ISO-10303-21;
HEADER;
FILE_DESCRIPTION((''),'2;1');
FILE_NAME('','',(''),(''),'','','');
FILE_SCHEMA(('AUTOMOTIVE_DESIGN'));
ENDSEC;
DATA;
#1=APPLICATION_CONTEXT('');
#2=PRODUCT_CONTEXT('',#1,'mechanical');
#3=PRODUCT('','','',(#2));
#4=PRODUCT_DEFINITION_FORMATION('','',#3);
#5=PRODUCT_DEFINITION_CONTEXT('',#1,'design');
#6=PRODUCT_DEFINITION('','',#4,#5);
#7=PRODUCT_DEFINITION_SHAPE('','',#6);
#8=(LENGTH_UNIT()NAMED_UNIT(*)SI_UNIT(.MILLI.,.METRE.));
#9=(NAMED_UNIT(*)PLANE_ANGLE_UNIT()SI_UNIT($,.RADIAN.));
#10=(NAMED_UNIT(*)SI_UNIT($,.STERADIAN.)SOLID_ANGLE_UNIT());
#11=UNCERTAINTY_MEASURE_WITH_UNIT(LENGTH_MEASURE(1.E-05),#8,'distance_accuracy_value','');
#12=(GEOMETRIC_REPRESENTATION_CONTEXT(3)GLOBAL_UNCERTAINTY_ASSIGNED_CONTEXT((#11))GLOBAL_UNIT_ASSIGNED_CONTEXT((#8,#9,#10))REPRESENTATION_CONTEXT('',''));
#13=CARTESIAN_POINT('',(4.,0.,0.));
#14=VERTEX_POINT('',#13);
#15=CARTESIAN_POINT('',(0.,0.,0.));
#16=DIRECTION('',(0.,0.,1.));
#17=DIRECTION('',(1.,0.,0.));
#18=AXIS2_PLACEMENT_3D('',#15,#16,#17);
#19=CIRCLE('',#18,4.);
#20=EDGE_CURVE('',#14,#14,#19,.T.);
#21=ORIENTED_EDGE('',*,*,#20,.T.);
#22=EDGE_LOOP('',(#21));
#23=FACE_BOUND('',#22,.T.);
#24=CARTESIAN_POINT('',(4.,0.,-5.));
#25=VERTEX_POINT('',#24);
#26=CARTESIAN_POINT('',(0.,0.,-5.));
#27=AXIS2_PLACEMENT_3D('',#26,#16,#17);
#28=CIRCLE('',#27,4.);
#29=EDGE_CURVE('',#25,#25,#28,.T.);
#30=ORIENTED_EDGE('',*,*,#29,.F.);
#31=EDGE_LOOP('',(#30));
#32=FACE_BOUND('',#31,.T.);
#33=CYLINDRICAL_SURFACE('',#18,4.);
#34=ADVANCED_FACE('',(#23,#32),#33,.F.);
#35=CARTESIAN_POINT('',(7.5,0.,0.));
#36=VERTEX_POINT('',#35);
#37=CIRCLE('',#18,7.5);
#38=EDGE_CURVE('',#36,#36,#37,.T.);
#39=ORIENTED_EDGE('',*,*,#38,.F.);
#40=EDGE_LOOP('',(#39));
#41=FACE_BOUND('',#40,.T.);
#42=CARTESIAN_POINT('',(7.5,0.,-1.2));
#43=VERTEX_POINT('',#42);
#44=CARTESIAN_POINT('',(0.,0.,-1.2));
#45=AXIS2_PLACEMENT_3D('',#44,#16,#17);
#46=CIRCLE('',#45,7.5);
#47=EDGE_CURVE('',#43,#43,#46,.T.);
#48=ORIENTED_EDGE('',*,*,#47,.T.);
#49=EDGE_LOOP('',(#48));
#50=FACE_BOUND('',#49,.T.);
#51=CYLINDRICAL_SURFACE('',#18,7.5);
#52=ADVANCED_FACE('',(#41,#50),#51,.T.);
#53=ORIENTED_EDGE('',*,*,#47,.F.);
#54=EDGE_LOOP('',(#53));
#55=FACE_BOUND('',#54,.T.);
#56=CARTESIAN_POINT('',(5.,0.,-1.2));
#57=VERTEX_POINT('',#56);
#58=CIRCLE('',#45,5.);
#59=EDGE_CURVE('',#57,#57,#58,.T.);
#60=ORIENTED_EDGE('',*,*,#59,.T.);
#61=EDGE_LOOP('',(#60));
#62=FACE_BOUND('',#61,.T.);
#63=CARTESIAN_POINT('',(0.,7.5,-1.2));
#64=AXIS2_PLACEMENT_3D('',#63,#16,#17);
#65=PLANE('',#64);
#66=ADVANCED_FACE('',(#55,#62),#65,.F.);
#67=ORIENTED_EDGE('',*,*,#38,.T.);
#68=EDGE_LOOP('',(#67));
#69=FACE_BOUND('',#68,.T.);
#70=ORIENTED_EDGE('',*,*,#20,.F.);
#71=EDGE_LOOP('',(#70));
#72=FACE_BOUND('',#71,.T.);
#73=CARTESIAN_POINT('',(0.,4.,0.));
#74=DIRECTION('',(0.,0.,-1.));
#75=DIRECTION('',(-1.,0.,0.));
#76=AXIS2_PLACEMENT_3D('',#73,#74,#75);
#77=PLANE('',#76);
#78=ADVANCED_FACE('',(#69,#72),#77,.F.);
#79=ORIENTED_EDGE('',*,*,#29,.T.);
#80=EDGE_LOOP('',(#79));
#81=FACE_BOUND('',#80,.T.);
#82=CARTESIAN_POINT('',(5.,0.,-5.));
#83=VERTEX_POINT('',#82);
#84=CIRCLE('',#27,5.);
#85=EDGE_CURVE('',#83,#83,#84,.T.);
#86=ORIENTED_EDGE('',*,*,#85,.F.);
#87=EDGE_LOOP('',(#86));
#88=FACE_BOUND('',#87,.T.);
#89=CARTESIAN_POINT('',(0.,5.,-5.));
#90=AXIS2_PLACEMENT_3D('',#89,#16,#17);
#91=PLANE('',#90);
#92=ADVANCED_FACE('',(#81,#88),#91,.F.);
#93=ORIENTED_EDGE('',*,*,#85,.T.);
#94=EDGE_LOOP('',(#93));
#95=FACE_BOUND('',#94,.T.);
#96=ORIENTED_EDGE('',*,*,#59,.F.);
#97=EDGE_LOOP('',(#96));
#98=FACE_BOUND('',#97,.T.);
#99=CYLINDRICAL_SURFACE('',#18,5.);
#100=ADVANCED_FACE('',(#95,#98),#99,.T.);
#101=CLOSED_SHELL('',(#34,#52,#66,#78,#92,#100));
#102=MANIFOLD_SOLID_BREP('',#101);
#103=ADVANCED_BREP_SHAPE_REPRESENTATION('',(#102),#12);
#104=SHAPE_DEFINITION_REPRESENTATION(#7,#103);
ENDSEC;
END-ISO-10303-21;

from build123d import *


with BuildPart() as part:
    # Sketch1 → Revolve1 (revolve)
    with BuildSketch(Plane(origin=(0, 0, 0), x_dir=(0, 0, -1), z_dir=(1, 0, 0)), mode=Mode.PRIVATE) as revolve1_sk:
        Polygon((0, 4), (0, 7.5), (1.2, 7.5), (1.2, 5), (5, 5), (5, 4), align=None)
    revolve(revolve1_sk.sketch.rotate(Axis((0, 0, 0), (0, 0, -1)), 90), axis=Axis((0, 0, 0), (0, 0, -1)))


solid = part.part
